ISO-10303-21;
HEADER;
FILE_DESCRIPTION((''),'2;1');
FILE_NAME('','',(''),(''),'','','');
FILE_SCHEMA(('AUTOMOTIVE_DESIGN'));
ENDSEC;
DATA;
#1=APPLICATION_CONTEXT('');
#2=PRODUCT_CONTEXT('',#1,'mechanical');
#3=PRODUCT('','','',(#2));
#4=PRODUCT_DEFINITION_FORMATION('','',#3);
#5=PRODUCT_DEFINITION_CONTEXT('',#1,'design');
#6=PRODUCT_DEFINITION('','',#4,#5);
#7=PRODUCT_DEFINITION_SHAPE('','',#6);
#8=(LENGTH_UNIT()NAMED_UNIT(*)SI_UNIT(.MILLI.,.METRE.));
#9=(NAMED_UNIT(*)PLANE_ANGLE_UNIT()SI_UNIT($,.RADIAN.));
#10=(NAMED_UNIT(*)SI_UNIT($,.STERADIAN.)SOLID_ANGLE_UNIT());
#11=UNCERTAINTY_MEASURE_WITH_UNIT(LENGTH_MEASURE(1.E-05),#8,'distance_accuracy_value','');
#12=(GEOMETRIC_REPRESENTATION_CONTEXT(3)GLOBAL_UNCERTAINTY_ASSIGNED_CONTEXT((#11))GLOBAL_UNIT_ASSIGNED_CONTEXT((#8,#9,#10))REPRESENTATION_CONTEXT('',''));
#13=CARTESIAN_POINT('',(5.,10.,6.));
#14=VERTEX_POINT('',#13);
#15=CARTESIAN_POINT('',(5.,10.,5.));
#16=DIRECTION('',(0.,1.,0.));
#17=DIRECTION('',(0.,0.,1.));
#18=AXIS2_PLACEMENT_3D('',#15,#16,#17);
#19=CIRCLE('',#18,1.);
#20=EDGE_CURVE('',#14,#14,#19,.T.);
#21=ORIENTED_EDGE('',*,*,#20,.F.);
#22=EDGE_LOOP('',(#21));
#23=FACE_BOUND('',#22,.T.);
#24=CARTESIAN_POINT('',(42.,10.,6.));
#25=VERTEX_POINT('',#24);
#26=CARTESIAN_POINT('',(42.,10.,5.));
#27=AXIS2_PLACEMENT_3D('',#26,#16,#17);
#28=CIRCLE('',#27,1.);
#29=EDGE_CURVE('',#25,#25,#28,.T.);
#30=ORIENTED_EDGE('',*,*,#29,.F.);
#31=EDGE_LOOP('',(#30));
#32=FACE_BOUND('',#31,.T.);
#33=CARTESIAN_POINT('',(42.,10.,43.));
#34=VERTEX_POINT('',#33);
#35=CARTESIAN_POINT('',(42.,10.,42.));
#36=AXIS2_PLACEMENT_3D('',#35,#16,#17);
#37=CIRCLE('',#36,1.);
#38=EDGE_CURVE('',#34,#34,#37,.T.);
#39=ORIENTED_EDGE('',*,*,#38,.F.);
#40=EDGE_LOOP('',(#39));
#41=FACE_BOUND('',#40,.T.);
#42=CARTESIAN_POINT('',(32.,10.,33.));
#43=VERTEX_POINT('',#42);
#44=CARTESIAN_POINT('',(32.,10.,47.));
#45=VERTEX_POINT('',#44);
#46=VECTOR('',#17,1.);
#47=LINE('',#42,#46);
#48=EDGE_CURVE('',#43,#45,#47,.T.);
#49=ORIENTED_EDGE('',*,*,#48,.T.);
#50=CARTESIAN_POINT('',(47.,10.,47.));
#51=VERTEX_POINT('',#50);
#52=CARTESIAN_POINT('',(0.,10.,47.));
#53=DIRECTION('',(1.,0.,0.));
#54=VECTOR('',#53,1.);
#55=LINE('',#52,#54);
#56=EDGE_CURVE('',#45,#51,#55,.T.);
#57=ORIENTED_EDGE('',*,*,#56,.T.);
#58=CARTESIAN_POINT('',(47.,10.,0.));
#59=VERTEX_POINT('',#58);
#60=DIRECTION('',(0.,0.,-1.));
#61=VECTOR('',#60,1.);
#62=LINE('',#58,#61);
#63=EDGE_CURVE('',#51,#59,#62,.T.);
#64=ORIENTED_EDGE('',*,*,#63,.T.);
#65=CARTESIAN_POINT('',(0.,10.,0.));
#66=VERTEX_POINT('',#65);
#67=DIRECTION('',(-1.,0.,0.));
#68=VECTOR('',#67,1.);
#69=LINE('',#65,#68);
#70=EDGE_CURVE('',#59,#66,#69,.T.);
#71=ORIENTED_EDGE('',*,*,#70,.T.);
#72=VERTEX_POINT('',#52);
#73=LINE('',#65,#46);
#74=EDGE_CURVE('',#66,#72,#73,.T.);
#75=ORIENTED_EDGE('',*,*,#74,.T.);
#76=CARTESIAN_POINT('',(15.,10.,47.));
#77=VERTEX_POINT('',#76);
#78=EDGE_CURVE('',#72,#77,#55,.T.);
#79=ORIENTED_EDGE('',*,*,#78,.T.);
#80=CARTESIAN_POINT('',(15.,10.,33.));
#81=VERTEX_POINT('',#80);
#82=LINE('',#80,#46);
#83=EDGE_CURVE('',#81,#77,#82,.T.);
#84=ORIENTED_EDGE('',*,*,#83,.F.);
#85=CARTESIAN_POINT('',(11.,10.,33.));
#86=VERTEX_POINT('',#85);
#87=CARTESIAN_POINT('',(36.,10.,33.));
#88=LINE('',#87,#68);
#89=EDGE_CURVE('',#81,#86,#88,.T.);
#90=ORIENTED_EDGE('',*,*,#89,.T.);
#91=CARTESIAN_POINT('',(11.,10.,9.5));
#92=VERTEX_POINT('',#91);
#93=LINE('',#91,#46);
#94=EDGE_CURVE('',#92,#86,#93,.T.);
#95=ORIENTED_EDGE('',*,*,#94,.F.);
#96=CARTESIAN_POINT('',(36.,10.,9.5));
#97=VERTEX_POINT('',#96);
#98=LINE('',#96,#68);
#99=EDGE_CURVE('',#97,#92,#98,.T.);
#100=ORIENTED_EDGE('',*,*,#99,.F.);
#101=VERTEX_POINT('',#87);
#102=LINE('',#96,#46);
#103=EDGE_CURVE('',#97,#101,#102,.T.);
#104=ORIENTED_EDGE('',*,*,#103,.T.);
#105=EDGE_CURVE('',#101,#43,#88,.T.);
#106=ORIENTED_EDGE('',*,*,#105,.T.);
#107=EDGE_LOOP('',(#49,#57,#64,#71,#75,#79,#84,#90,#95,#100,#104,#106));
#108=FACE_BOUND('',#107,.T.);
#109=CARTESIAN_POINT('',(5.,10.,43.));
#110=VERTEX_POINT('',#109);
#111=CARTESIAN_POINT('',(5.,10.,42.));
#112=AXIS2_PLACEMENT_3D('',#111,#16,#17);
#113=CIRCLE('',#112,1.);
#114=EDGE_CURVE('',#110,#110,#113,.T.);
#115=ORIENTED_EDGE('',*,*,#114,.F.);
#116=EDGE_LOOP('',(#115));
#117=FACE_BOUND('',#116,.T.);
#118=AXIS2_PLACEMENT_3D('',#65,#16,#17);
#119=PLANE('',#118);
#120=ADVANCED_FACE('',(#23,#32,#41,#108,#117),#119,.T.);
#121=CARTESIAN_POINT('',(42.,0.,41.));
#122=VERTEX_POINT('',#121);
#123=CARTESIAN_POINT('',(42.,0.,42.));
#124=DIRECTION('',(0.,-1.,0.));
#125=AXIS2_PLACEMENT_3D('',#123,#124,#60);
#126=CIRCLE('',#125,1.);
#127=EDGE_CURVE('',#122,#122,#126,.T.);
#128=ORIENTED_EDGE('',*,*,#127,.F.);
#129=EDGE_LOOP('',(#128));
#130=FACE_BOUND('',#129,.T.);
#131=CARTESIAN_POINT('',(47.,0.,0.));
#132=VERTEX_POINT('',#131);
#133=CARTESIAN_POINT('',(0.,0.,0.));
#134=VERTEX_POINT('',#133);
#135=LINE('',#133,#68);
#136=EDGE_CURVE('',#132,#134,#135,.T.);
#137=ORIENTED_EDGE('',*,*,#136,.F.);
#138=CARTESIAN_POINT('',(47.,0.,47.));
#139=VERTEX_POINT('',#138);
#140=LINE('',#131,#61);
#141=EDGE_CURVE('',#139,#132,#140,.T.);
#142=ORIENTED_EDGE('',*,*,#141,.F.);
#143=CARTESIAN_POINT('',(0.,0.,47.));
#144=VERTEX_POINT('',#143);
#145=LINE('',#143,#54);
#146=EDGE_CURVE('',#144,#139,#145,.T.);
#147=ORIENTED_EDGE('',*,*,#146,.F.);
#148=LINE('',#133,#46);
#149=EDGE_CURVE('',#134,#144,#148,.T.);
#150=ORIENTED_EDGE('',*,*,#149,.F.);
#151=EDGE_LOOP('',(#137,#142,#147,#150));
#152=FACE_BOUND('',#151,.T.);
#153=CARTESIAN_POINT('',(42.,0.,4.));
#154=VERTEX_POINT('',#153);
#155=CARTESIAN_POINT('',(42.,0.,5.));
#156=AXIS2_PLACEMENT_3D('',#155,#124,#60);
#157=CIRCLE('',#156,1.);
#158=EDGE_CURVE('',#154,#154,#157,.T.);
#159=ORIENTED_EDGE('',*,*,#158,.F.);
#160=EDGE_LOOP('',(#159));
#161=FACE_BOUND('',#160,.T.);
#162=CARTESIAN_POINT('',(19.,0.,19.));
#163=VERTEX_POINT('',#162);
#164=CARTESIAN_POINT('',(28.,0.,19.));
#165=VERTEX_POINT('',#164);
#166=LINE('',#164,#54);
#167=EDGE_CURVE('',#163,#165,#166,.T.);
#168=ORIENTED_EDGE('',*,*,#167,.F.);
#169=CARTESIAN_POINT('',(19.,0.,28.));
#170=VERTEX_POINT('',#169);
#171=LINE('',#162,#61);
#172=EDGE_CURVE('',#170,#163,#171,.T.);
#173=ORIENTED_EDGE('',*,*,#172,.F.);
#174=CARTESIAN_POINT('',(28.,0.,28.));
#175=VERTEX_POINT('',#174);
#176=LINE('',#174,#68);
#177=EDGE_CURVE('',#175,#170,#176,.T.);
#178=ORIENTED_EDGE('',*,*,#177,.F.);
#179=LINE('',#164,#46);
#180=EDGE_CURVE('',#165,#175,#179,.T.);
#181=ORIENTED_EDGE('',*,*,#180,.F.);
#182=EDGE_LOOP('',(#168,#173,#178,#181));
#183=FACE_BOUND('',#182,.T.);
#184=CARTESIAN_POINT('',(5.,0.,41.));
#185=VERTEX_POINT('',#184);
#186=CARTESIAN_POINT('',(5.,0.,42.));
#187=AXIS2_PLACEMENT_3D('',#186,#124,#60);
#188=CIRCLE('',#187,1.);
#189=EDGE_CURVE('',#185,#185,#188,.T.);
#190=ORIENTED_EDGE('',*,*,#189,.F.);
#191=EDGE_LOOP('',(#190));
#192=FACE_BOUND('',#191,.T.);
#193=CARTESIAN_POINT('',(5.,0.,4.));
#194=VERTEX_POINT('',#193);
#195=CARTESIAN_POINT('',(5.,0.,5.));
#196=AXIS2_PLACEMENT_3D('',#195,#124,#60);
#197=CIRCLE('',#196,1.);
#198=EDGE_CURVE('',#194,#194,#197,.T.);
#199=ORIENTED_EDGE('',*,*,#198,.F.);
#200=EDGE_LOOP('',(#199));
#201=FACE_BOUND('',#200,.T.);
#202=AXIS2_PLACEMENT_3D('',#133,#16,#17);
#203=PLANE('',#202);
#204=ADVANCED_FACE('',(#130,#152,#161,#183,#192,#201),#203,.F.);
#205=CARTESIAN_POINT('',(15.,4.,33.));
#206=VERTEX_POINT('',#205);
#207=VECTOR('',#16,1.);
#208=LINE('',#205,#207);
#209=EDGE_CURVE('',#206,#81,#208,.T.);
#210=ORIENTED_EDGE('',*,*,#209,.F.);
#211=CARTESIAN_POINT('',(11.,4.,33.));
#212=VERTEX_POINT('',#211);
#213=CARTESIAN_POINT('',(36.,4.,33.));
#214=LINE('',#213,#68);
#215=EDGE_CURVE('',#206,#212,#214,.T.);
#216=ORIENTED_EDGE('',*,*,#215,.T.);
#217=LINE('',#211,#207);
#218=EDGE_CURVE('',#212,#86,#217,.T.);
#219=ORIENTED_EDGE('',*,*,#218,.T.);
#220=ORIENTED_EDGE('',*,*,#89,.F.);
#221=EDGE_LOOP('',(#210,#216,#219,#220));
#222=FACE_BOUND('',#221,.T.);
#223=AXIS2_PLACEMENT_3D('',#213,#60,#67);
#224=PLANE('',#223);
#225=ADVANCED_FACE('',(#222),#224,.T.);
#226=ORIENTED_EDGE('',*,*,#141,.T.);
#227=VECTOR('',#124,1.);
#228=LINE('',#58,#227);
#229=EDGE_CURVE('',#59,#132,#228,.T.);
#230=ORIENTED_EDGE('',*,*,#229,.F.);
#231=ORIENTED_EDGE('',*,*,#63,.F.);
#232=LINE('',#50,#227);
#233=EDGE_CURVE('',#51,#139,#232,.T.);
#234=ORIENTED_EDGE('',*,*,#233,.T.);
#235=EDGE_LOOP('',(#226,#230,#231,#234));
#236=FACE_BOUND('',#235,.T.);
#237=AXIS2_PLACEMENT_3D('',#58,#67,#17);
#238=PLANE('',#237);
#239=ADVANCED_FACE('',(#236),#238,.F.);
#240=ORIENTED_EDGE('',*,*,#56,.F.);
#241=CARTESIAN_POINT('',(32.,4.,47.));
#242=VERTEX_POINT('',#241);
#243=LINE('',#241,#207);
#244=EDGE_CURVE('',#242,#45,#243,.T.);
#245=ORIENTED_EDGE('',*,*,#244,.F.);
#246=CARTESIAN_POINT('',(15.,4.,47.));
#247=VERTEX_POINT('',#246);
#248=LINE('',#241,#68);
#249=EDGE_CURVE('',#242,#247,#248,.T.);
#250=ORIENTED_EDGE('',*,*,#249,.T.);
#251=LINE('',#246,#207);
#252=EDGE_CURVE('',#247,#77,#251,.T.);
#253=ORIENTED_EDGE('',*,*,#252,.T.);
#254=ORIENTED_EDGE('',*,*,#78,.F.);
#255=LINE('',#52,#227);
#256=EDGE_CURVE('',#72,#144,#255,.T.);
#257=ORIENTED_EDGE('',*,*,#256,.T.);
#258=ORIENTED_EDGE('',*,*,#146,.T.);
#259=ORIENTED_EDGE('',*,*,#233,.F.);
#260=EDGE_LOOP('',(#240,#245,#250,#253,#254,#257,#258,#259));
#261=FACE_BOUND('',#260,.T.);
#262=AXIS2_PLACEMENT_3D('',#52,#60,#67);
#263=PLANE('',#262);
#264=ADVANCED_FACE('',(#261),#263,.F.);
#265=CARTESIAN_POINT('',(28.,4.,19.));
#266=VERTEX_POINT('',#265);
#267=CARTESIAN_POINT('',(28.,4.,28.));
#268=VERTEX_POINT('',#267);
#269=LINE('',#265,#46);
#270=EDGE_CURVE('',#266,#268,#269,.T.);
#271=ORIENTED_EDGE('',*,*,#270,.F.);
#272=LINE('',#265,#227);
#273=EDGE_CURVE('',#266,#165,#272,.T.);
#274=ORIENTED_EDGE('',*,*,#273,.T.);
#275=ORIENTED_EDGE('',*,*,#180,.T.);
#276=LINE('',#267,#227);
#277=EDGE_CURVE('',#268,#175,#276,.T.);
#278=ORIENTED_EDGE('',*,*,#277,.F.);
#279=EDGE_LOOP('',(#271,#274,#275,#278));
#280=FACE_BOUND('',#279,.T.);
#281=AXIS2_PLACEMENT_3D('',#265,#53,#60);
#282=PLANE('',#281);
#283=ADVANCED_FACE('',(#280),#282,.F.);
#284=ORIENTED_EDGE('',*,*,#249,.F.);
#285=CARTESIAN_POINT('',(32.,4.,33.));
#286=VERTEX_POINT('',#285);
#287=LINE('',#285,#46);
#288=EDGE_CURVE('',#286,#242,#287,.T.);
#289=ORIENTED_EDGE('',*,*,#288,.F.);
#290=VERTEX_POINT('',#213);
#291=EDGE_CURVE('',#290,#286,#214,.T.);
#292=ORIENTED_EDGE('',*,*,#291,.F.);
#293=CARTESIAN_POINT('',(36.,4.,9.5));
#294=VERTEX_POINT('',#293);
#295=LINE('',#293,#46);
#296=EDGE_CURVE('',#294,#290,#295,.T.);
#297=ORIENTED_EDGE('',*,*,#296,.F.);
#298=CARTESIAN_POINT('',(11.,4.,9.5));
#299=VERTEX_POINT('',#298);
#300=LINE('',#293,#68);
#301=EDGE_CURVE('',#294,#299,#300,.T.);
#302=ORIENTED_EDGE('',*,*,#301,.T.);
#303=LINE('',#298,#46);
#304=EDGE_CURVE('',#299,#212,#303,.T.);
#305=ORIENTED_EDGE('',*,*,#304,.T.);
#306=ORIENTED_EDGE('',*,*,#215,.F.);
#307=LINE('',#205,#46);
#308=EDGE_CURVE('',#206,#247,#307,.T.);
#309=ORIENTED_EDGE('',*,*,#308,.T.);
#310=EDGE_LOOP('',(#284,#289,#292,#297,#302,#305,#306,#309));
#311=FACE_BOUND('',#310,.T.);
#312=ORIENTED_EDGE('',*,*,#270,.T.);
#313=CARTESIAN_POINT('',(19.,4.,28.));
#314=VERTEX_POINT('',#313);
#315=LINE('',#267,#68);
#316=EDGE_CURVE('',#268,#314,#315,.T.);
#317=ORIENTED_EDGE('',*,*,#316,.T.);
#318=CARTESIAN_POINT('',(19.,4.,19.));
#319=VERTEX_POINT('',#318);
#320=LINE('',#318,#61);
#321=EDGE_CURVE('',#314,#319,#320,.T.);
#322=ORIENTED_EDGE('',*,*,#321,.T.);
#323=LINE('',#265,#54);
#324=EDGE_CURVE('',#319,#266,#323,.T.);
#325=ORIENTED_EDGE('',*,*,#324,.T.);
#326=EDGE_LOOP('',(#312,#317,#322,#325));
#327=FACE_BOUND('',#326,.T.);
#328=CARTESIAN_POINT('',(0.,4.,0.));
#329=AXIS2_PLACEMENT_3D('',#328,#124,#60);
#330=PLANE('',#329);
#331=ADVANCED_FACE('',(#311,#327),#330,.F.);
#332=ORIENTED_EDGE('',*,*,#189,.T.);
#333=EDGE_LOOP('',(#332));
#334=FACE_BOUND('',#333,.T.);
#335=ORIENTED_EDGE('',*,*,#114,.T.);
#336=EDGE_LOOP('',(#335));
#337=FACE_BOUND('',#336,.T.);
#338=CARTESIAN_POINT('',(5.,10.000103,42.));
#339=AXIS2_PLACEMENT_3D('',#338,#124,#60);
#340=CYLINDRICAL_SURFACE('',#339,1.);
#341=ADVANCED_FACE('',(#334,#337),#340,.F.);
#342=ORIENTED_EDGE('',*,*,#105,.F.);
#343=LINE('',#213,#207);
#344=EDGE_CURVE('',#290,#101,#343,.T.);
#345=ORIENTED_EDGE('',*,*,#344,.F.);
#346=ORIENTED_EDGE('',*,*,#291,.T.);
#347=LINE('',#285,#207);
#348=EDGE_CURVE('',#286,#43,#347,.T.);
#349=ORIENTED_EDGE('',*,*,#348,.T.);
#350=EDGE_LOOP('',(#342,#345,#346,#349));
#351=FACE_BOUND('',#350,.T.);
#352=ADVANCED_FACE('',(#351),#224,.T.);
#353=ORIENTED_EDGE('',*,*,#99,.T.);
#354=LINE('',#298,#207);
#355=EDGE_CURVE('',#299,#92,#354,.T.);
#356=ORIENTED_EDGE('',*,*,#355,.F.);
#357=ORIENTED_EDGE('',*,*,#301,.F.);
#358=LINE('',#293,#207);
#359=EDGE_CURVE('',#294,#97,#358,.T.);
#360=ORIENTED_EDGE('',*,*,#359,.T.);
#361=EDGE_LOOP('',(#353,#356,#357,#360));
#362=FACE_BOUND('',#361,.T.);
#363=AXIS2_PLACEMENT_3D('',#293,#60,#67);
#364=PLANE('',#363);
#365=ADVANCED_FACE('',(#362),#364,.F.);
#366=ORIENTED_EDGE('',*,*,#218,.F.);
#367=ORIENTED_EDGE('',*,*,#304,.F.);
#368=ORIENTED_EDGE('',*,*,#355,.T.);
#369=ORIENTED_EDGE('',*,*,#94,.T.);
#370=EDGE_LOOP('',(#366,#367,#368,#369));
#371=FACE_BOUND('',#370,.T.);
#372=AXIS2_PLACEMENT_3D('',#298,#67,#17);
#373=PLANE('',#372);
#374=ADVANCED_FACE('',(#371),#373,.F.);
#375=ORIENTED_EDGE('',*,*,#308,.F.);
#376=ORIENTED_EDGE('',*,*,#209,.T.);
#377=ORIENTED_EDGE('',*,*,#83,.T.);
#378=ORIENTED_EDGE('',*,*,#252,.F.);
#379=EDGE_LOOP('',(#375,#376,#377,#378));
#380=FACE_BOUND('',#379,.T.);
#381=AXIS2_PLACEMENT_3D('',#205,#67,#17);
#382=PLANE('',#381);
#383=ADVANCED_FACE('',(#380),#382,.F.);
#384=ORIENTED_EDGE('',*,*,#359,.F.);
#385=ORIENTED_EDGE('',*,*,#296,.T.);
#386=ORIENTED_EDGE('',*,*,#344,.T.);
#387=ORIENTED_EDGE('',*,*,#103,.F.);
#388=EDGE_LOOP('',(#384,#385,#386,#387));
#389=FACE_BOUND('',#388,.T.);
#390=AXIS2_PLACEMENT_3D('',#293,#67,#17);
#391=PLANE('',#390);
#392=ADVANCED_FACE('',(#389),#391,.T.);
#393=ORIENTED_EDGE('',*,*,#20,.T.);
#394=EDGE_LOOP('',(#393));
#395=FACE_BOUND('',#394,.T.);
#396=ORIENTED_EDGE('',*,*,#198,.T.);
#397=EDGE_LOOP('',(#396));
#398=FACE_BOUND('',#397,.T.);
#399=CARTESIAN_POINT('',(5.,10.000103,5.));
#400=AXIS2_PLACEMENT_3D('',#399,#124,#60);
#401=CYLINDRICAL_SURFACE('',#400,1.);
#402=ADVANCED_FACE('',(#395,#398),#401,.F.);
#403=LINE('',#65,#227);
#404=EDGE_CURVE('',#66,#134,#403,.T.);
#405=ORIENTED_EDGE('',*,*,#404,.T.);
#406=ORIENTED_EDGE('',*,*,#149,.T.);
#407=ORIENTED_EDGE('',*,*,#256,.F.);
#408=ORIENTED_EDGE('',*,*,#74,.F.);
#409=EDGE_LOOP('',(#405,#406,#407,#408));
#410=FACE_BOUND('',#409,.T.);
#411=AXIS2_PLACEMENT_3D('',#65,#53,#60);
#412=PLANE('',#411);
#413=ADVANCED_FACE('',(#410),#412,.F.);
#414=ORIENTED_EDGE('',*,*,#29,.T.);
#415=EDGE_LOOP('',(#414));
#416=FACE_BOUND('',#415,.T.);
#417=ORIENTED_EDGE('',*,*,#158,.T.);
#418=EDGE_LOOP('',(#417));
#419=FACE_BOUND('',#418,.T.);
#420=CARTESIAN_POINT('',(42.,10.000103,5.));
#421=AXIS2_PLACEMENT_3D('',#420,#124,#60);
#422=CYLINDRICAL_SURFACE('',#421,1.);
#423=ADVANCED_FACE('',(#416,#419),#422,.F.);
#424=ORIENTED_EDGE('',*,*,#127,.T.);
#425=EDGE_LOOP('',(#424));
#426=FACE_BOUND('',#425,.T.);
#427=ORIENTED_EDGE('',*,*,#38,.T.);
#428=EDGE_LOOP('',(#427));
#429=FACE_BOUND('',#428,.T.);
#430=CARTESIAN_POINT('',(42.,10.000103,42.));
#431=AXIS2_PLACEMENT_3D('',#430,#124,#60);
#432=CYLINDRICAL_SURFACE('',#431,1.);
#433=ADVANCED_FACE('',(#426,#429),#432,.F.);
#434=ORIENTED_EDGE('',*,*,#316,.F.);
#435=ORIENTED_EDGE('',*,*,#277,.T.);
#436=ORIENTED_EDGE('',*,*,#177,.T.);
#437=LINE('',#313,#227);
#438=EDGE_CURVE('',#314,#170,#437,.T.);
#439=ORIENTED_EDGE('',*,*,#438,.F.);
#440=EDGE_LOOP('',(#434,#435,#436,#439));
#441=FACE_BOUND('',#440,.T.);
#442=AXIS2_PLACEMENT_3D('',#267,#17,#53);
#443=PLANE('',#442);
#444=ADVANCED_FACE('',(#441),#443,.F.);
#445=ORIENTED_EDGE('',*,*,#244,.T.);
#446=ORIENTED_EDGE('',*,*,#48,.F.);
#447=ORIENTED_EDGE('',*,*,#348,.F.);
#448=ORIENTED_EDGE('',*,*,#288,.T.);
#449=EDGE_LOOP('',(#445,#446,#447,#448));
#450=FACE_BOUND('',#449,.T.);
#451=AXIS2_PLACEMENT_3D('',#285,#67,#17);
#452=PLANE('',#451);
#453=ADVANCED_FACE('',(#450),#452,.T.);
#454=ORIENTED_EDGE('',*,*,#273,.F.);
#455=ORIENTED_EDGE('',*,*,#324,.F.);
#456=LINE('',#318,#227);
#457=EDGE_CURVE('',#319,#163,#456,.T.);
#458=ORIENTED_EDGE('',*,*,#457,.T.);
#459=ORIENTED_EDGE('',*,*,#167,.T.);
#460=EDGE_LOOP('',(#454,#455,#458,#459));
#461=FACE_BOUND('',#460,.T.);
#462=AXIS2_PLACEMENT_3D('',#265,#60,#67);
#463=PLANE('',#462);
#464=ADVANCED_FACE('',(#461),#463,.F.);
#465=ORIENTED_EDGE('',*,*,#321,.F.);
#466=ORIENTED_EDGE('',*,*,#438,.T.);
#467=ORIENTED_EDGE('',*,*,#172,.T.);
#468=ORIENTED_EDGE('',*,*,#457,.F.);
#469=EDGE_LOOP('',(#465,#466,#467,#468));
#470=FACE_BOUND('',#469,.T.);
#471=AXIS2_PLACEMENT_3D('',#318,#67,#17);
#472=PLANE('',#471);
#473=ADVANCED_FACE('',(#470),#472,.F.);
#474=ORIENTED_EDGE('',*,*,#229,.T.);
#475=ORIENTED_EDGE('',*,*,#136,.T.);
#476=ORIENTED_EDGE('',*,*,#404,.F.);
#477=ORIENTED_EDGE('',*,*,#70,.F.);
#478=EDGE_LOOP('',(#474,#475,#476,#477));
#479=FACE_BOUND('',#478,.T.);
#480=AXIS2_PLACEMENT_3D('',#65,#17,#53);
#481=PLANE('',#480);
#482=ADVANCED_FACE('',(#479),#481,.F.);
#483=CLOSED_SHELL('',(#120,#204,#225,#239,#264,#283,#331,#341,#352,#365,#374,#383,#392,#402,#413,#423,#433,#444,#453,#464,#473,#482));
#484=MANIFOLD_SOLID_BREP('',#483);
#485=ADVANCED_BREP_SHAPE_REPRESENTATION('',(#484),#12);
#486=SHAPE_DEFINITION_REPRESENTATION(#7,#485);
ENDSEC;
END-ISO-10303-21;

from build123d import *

# Parameters (mm, degrees)
SKETCH1_W           = 47
SKETCH1_H           = 47
BOSS_EXTRUDE1_DEPTH = 10
SKETCH2_W           = 9
SKETCH2_H           = 9
CUT_EXTRUDE1_DEPTH  = 4
CUT_EXTRUDE3_DEPTH  = 53.328290628
SKETCH8_R           = 1
CUT_EXTRUDE4_DEPTH  = 68.216069507


with BuildPart() as part:
    # Sketch1 → Boss-Extrude1 (new body)
    with BuildSketch(Plane(origin=(0, 0, 0), x_dir=(1, 0, 0), z_dir=(0, 1, 0))):
        with Locations((23.5, -23.5)):
            Rectangle(SKETCH1_W, SKETCH1_H)
    extrude(amount=BOSS_EXTRUDE1_DEPTH)

    # Sketch2 → Cut-Extrude1 (cut)
    with BuildSketch(Plane(origin=(0, 0, 0), x_dir=(-1, 0, 0), z_dir=(0, -1, 0))):
        with Locations((-23.5, -23.5)):
            Rectangle(SKETCH2_W, SKETCH2_H)
    extrude(amount=-CUT_EXTRUDE1_DEPTH, mode=Mode.SUBTRACT)

    # 3DSketch1 → Cut-Extrude3 (cut, through all)
    with BuildSketch(Plane(origin=(36, 4, 9.5), x_dir=(-0.4886033689318435, 0, 0.87250601594972), z_dir=(0, -1, 0))):
        Polygon((0, 0), (12.215084223, 21.812650399), (32.718975598, 10.330471229), (20.503891375, -11.48217917), align=None)
        Polygon((22.458304851, -7.992155106), (30.764562122, 6.840447165), (42.979646346, 0), (34.673389074, -14.832602271), align=None)
    extrude(amount=-CUT_EXTRUDE3_DEPTH, mode=Mode.SUBTRACT)

    # Sketch8 → Cut-Extrude4 (cut, through all)
    with BuildSketch(Plane.XZ):
        with Locations(Location((42, 5, 0), (0, 0, 270))):
            Circle(SKETCH8_R)
        with Locations(Location((5, 5, 0), (0, 0, 270))):
            Circle(SKETCH8_R)
        with Locations(Location((5, 42, 0), (0, 0, 270))):
            Circle(SKETCH8_R)
        with Locations(Location((42, 42, 0), (0, 0, 270))):
            Circle(SKETCH8_R)
    extrude(amount=-CUT_EXTRUDE4_DEPTH, mode=Mode.SUBTRACT)


solid = part.part
